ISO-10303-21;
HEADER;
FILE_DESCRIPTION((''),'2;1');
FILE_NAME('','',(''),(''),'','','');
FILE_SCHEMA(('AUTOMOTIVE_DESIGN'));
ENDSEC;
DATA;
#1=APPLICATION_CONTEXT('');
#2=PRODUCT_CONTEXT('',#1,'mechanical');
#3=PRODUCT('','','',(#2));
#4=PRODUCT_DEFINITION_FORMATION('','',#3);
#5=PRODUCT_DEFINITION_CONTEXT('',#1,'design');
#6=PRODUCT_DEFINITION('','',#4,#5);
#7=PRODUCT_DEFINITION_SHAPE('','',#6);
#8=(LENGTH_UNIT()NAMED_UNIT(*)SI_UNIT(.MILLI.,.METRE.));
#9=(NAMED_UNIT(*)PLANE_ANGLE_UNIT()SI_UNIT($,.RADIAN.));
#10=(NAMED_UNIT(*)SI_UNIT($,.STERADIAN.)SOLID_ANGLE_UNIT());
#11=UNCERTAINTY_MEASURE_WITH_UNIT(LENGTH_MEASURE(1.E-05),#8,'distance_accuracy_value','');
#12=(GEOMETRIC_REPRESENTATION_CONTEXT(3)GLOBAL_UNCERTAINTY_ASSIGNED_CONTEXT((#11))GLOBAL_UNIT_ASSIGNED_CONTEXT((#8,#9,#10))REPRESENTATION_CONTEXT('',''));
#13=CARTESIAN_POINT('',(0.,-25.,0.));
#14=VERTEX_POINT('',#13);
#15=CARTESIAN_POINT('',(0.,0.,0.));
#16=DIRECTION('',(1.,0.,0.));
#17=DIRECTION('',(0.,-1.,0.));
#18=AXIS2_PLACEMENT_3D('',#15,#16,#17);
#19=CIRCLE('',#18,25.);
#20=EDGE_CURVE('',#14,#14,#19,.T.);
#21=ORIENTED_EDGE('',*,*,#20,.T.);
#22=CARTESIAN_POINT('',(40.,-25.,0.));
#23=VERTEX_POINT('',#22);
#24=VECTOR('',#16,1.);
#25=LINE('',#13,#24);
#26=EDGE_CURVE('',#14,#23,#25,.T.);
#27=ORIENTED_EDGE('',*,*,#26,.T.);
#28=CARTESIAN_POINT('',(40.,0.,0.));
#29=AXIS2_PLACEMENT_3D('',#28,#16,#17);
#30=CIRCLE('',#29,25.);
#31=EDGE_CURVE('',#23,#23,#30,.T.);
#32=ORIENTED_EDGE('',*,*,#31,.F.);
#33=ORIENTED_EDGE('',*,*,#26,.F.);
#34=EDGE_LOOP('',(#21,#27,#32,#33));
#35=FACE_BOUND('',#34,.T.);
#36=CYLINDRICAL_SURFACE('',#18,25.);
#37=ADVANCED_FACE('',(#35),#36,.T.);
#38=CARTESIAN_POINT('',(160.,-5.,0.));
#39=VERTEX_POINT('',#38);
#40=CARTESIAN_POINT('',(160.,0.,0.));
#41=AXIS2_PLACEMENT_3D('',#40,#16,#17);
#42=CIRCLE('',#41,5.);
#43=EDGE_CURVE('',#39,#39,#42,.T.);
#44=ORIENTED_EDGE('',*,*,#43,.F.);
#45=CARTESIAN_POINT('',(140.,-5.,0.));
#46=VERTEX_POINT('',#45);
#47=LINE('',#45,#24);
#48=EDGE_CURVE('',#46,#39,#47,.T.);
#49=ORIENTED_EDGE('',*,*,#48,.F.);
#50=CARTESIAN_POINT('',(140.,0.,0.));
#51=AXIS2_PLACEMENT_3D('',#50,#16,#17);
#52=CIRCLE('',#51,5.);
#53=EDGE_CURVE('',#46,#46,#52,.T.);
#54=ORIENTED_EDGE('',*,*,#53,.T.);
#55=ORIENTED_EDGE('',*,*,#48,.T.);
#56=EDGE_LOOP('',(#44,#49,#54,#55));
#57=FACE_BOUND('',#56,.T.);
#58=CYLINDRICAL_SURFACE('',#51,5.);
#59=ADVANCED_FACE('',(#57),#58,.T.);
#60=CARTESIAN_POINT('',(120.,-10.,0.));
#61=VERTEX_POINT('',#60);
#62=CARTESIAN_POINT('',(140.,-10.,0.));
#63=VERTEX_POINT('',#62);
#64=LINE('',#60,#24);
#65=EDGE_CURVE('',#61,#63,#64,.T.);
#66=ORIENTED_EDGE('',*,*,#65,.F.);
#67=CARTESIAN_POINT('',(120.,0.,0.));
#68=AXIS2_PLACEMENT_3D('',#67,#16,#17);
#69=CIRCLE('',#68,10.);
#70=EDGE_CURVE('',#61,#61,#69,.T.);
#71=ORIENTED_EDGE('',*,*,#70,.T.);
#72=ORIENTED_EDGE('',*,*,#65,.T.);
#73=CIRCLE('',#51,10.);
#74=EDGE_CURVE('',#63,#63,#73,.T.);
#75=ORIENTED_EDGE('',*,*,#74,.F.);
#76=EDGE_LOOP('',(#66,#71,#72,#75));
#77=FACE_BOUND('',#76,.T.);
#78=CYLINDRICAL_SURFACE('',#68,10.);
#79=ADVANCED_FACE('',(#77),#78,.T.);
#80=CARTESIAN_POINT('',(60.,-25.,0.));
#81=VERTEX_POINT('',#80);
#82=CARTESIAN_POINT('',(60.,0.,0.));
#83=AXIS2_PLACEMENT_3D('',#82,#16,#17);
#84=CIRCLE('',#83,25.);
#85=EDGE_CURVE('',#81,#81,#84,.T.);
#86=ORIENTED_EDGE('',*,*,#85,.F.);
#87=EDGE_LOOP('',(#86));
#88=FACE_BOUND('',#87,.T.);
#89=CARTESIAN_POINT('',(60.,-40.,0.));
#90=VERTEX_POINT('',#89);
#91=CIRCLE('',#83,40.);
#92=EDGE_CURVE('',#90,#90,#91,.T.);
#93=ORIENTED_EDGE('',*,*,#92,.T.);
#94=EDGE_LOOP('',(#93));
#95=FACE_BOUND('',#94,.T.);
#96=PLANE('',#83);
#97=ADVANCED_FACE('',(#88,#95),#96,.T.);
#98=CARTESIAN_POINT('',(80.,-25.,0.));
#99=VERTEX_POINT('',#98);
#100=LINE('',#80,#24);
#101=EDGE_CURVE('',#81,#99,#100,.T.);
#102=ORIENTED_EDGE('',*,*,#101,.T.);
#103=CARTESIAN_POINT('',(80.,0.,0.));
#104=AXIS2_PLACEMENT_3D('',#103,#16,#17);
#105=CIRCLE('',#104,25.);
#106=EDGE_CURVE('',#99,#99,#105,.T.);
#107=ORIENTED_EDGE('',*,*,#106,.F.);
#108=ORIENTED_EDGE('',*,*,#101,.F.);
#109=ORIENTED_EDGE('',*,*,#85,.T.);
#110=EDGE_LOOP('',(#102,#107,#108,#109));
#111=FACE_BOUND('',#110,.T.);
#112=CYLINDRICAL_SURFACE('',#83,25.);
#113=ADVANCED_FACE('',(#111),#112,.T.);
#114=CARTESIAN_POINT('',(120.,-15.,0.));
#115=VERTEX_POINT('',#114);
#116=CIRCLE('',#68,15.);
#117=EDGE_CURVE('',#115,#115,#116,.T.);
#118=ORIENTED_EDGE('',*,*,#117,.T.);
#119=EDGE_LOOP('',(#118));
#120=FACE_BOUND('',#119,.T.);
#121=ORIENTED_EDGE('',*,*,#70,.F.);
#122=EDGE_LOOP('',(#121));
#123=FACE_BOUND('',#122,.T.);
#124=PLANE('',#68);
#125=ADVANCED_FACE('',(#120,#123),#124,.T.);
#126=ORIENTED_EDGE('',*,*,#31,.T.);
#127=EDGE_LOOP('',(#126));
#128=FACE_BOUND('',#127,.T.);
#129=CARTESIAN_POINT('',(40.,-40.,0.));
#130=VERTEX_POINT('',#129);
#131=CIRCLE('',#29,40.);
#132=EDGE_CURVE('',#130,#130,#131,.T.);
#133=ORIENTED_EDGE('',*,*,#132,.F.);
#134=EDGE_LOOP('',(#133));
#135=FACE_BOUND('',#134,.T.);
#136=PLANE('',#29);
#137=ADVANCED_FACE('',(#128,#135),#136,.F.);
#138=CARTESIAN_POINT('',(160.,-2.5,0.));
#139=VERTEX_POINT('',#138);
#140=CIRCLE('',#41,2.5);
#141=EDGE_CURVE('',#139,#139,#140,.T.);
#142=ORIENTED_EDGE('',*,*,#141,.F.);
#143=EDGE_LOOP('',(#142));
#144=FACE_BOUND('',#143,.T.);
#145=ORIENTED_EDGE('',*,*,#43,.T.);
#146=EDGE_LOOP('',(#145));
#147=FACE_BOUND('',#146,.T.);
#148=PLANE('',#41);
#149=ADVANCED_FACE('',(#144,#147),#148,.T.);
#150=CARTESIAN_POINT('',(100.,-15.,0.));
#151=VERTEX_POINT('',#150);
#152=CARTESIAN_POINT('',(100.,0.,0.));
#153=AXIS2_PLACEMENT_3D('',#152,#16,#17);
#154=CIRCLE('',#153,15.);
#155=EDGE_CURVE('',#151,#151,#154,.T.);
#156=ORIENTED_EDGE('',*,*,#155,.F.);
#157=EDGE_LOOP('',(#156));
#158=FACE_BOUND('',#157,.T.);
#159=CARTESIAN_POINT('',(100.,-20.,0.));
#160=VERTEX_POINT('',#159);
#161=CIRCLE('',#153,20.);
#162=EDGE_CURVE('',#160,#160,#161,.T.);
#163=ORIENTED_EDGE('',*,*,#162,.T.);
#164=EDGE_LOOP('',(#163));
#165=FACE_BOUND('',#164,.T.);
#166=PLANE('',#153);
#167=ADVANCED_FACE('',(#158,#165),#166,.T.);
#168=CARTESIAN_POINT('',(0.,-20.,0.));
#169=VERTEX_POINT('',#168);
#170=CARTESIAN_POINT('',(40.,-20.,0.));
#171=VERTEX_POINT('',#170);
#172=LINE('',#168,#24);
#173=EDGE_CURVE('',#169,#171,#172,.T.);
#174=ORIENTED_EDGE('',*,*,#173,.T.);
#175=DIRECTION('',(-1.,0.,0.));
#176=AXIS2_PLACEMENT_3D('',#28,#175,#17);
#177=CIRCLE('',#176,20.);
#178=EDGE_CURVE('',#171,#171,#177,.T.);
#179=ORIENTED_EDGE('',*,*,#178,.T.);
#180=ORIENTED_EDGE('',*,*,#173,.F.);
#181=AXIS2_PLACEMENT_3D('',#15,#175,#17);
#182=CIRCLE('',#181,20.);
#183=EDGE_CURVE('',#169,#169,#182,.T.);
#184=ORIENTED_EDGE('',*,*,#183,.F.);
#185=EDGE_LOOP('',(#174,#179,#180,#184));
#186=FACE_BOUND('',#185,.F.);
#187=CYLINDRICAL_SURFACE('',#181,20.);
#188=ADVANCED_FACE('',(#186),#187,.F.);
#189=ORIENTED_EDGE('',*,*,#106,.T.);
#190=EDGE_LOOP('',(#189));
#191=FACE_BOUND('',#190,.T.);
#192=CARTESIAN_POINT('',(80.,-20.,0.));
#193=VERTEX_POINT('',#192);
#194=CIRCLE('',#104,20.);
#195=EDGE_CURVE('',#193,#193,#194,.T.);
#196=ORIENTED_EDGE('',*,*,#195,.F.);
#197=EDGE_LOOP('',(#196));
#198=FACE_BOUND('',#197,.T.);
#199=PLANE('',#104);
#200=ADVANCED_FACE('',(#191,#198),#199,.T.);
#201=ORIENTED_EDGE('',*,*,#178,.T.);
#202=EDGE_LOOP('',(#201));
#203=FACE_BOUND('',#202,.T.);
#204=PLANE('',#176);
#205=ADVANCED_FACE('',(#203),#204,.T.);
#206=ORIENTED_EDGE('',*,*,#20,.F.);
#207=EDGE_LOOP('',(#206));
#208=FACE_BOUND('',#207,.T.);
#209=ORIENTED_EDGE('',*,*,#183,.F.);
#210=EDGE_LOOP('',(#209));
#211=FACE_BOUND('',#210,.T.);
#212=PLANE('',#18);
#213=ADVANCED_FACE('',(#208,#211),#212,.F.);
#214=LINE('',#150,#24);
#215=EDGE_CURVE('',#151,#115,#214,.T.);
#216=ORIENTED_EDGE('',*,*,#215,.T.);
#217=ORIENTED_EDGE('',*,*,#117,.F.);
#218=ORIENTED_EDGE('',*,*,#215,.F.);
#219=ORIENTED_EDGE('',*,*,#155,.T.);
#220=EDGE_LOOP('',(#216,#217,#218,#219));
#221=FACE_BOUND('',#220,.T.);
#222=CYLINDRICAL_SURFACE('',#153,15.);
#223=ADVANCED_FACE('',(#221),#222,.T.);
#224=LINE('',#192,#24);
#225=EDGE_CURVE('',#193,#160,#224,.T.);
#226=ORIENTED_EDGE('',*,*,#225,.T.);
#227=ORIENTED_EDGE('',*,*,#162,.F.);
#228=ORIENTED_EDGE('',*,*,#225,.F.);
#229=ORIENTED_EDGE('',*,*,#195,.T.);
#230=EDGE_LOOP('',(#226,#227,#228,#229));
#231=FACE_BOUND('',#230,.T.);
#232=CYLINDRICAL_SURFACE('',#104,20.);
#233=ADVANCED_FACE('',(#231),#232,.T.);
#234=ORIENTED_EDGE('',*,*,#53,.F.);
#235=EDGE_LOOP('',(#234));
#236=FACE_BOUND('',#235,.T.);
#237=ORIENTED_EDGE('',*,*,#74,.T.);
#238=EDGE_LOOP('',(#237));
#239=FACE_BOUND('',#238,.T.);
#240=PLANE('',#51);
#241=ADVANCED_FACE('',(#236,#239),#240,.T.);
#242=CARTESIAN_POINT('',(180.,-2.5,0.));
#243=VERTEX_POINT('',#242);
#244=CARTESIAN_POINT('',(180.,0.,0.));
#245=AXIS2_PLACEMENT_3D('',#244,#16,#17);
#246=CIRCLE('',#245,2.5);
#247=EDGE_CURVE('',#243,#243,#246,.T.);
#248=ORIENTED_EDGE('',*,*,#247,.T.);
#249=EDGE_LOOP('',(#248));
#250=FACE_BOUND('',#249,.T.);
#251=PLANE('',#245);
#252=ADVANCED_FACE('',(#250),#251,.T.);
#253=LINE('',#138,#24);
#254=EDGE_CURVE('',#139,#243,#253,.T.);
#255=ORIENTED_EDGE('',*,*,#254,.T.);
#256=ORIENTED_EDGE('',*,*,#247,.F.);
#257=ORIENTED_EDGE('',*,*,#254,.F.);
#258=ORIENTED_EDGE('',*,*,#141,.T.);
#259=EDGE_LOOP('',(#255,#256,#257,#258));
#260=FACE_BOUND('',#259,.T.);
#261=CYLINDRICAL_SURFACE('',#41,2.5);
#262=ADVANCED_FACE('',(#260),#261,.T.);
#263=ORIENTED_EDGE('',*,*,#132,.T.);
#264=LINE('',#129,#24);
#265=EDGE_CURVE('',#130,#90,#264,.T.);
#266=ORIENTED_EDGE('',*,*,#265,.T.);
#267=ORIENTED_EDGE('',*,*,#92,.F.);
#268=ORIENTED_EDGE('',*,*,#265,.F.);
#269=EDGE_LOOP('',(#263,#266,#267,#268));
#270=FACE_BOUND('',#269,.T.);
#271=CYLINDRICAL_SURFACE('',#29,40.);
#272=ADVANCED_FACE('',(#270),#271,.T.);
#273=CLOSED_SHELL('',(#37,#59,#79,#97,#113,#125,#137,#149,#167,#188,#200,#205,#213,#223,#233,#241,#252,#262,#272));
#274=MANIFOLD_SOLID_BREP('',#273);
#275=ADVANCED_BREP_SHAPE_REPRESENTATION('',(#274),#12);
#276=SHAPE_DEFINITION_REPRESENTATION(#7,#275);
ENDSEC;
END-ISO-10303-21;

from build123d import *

# Parameters (mm, degrees)
SKETCH3_R          = 20
CUT_EXTRUDE2_DEPTH = 40


with BuildPart() as part:
    # Sketch2 → Revolve1 (revolve)
    with BuildSketch(Plane.XY, mode=Mode.PRIVATE) as revolve1_sk:
        Polygon((60, 40), (60, 25), (80, 25), (80, 20), (100, 20), (100, 15), (120, 15), (120, 10), (140, 10), (140, 5), (160, 5), (160, 2.5), (180, 2.5), (180, 0), (0, 0), (0, 25), (40, 25), (40, 40), align=None)
    revolve(revolve1_sk.sketch.rotate(Axis((0, 0, 0), (1, 0, 0)), 180), axis=Axis((0, 0, 0), (1, 0, 0)))  # turned: the seam where the file's is

    # Sketch3 → Cut-Extrude2 (cut)
    with BuildSketch(Plane.ZY):
        with Locations(Location((0, 0, 0), (0, 0, 270))):  # turned: the seam where the file's is
            Circle(SKETCH3_R)
    extrude(amount=-CUT_EXTRUDE2_DEPTH, mode=Mode.SUBTRACT)


solid = part.part
